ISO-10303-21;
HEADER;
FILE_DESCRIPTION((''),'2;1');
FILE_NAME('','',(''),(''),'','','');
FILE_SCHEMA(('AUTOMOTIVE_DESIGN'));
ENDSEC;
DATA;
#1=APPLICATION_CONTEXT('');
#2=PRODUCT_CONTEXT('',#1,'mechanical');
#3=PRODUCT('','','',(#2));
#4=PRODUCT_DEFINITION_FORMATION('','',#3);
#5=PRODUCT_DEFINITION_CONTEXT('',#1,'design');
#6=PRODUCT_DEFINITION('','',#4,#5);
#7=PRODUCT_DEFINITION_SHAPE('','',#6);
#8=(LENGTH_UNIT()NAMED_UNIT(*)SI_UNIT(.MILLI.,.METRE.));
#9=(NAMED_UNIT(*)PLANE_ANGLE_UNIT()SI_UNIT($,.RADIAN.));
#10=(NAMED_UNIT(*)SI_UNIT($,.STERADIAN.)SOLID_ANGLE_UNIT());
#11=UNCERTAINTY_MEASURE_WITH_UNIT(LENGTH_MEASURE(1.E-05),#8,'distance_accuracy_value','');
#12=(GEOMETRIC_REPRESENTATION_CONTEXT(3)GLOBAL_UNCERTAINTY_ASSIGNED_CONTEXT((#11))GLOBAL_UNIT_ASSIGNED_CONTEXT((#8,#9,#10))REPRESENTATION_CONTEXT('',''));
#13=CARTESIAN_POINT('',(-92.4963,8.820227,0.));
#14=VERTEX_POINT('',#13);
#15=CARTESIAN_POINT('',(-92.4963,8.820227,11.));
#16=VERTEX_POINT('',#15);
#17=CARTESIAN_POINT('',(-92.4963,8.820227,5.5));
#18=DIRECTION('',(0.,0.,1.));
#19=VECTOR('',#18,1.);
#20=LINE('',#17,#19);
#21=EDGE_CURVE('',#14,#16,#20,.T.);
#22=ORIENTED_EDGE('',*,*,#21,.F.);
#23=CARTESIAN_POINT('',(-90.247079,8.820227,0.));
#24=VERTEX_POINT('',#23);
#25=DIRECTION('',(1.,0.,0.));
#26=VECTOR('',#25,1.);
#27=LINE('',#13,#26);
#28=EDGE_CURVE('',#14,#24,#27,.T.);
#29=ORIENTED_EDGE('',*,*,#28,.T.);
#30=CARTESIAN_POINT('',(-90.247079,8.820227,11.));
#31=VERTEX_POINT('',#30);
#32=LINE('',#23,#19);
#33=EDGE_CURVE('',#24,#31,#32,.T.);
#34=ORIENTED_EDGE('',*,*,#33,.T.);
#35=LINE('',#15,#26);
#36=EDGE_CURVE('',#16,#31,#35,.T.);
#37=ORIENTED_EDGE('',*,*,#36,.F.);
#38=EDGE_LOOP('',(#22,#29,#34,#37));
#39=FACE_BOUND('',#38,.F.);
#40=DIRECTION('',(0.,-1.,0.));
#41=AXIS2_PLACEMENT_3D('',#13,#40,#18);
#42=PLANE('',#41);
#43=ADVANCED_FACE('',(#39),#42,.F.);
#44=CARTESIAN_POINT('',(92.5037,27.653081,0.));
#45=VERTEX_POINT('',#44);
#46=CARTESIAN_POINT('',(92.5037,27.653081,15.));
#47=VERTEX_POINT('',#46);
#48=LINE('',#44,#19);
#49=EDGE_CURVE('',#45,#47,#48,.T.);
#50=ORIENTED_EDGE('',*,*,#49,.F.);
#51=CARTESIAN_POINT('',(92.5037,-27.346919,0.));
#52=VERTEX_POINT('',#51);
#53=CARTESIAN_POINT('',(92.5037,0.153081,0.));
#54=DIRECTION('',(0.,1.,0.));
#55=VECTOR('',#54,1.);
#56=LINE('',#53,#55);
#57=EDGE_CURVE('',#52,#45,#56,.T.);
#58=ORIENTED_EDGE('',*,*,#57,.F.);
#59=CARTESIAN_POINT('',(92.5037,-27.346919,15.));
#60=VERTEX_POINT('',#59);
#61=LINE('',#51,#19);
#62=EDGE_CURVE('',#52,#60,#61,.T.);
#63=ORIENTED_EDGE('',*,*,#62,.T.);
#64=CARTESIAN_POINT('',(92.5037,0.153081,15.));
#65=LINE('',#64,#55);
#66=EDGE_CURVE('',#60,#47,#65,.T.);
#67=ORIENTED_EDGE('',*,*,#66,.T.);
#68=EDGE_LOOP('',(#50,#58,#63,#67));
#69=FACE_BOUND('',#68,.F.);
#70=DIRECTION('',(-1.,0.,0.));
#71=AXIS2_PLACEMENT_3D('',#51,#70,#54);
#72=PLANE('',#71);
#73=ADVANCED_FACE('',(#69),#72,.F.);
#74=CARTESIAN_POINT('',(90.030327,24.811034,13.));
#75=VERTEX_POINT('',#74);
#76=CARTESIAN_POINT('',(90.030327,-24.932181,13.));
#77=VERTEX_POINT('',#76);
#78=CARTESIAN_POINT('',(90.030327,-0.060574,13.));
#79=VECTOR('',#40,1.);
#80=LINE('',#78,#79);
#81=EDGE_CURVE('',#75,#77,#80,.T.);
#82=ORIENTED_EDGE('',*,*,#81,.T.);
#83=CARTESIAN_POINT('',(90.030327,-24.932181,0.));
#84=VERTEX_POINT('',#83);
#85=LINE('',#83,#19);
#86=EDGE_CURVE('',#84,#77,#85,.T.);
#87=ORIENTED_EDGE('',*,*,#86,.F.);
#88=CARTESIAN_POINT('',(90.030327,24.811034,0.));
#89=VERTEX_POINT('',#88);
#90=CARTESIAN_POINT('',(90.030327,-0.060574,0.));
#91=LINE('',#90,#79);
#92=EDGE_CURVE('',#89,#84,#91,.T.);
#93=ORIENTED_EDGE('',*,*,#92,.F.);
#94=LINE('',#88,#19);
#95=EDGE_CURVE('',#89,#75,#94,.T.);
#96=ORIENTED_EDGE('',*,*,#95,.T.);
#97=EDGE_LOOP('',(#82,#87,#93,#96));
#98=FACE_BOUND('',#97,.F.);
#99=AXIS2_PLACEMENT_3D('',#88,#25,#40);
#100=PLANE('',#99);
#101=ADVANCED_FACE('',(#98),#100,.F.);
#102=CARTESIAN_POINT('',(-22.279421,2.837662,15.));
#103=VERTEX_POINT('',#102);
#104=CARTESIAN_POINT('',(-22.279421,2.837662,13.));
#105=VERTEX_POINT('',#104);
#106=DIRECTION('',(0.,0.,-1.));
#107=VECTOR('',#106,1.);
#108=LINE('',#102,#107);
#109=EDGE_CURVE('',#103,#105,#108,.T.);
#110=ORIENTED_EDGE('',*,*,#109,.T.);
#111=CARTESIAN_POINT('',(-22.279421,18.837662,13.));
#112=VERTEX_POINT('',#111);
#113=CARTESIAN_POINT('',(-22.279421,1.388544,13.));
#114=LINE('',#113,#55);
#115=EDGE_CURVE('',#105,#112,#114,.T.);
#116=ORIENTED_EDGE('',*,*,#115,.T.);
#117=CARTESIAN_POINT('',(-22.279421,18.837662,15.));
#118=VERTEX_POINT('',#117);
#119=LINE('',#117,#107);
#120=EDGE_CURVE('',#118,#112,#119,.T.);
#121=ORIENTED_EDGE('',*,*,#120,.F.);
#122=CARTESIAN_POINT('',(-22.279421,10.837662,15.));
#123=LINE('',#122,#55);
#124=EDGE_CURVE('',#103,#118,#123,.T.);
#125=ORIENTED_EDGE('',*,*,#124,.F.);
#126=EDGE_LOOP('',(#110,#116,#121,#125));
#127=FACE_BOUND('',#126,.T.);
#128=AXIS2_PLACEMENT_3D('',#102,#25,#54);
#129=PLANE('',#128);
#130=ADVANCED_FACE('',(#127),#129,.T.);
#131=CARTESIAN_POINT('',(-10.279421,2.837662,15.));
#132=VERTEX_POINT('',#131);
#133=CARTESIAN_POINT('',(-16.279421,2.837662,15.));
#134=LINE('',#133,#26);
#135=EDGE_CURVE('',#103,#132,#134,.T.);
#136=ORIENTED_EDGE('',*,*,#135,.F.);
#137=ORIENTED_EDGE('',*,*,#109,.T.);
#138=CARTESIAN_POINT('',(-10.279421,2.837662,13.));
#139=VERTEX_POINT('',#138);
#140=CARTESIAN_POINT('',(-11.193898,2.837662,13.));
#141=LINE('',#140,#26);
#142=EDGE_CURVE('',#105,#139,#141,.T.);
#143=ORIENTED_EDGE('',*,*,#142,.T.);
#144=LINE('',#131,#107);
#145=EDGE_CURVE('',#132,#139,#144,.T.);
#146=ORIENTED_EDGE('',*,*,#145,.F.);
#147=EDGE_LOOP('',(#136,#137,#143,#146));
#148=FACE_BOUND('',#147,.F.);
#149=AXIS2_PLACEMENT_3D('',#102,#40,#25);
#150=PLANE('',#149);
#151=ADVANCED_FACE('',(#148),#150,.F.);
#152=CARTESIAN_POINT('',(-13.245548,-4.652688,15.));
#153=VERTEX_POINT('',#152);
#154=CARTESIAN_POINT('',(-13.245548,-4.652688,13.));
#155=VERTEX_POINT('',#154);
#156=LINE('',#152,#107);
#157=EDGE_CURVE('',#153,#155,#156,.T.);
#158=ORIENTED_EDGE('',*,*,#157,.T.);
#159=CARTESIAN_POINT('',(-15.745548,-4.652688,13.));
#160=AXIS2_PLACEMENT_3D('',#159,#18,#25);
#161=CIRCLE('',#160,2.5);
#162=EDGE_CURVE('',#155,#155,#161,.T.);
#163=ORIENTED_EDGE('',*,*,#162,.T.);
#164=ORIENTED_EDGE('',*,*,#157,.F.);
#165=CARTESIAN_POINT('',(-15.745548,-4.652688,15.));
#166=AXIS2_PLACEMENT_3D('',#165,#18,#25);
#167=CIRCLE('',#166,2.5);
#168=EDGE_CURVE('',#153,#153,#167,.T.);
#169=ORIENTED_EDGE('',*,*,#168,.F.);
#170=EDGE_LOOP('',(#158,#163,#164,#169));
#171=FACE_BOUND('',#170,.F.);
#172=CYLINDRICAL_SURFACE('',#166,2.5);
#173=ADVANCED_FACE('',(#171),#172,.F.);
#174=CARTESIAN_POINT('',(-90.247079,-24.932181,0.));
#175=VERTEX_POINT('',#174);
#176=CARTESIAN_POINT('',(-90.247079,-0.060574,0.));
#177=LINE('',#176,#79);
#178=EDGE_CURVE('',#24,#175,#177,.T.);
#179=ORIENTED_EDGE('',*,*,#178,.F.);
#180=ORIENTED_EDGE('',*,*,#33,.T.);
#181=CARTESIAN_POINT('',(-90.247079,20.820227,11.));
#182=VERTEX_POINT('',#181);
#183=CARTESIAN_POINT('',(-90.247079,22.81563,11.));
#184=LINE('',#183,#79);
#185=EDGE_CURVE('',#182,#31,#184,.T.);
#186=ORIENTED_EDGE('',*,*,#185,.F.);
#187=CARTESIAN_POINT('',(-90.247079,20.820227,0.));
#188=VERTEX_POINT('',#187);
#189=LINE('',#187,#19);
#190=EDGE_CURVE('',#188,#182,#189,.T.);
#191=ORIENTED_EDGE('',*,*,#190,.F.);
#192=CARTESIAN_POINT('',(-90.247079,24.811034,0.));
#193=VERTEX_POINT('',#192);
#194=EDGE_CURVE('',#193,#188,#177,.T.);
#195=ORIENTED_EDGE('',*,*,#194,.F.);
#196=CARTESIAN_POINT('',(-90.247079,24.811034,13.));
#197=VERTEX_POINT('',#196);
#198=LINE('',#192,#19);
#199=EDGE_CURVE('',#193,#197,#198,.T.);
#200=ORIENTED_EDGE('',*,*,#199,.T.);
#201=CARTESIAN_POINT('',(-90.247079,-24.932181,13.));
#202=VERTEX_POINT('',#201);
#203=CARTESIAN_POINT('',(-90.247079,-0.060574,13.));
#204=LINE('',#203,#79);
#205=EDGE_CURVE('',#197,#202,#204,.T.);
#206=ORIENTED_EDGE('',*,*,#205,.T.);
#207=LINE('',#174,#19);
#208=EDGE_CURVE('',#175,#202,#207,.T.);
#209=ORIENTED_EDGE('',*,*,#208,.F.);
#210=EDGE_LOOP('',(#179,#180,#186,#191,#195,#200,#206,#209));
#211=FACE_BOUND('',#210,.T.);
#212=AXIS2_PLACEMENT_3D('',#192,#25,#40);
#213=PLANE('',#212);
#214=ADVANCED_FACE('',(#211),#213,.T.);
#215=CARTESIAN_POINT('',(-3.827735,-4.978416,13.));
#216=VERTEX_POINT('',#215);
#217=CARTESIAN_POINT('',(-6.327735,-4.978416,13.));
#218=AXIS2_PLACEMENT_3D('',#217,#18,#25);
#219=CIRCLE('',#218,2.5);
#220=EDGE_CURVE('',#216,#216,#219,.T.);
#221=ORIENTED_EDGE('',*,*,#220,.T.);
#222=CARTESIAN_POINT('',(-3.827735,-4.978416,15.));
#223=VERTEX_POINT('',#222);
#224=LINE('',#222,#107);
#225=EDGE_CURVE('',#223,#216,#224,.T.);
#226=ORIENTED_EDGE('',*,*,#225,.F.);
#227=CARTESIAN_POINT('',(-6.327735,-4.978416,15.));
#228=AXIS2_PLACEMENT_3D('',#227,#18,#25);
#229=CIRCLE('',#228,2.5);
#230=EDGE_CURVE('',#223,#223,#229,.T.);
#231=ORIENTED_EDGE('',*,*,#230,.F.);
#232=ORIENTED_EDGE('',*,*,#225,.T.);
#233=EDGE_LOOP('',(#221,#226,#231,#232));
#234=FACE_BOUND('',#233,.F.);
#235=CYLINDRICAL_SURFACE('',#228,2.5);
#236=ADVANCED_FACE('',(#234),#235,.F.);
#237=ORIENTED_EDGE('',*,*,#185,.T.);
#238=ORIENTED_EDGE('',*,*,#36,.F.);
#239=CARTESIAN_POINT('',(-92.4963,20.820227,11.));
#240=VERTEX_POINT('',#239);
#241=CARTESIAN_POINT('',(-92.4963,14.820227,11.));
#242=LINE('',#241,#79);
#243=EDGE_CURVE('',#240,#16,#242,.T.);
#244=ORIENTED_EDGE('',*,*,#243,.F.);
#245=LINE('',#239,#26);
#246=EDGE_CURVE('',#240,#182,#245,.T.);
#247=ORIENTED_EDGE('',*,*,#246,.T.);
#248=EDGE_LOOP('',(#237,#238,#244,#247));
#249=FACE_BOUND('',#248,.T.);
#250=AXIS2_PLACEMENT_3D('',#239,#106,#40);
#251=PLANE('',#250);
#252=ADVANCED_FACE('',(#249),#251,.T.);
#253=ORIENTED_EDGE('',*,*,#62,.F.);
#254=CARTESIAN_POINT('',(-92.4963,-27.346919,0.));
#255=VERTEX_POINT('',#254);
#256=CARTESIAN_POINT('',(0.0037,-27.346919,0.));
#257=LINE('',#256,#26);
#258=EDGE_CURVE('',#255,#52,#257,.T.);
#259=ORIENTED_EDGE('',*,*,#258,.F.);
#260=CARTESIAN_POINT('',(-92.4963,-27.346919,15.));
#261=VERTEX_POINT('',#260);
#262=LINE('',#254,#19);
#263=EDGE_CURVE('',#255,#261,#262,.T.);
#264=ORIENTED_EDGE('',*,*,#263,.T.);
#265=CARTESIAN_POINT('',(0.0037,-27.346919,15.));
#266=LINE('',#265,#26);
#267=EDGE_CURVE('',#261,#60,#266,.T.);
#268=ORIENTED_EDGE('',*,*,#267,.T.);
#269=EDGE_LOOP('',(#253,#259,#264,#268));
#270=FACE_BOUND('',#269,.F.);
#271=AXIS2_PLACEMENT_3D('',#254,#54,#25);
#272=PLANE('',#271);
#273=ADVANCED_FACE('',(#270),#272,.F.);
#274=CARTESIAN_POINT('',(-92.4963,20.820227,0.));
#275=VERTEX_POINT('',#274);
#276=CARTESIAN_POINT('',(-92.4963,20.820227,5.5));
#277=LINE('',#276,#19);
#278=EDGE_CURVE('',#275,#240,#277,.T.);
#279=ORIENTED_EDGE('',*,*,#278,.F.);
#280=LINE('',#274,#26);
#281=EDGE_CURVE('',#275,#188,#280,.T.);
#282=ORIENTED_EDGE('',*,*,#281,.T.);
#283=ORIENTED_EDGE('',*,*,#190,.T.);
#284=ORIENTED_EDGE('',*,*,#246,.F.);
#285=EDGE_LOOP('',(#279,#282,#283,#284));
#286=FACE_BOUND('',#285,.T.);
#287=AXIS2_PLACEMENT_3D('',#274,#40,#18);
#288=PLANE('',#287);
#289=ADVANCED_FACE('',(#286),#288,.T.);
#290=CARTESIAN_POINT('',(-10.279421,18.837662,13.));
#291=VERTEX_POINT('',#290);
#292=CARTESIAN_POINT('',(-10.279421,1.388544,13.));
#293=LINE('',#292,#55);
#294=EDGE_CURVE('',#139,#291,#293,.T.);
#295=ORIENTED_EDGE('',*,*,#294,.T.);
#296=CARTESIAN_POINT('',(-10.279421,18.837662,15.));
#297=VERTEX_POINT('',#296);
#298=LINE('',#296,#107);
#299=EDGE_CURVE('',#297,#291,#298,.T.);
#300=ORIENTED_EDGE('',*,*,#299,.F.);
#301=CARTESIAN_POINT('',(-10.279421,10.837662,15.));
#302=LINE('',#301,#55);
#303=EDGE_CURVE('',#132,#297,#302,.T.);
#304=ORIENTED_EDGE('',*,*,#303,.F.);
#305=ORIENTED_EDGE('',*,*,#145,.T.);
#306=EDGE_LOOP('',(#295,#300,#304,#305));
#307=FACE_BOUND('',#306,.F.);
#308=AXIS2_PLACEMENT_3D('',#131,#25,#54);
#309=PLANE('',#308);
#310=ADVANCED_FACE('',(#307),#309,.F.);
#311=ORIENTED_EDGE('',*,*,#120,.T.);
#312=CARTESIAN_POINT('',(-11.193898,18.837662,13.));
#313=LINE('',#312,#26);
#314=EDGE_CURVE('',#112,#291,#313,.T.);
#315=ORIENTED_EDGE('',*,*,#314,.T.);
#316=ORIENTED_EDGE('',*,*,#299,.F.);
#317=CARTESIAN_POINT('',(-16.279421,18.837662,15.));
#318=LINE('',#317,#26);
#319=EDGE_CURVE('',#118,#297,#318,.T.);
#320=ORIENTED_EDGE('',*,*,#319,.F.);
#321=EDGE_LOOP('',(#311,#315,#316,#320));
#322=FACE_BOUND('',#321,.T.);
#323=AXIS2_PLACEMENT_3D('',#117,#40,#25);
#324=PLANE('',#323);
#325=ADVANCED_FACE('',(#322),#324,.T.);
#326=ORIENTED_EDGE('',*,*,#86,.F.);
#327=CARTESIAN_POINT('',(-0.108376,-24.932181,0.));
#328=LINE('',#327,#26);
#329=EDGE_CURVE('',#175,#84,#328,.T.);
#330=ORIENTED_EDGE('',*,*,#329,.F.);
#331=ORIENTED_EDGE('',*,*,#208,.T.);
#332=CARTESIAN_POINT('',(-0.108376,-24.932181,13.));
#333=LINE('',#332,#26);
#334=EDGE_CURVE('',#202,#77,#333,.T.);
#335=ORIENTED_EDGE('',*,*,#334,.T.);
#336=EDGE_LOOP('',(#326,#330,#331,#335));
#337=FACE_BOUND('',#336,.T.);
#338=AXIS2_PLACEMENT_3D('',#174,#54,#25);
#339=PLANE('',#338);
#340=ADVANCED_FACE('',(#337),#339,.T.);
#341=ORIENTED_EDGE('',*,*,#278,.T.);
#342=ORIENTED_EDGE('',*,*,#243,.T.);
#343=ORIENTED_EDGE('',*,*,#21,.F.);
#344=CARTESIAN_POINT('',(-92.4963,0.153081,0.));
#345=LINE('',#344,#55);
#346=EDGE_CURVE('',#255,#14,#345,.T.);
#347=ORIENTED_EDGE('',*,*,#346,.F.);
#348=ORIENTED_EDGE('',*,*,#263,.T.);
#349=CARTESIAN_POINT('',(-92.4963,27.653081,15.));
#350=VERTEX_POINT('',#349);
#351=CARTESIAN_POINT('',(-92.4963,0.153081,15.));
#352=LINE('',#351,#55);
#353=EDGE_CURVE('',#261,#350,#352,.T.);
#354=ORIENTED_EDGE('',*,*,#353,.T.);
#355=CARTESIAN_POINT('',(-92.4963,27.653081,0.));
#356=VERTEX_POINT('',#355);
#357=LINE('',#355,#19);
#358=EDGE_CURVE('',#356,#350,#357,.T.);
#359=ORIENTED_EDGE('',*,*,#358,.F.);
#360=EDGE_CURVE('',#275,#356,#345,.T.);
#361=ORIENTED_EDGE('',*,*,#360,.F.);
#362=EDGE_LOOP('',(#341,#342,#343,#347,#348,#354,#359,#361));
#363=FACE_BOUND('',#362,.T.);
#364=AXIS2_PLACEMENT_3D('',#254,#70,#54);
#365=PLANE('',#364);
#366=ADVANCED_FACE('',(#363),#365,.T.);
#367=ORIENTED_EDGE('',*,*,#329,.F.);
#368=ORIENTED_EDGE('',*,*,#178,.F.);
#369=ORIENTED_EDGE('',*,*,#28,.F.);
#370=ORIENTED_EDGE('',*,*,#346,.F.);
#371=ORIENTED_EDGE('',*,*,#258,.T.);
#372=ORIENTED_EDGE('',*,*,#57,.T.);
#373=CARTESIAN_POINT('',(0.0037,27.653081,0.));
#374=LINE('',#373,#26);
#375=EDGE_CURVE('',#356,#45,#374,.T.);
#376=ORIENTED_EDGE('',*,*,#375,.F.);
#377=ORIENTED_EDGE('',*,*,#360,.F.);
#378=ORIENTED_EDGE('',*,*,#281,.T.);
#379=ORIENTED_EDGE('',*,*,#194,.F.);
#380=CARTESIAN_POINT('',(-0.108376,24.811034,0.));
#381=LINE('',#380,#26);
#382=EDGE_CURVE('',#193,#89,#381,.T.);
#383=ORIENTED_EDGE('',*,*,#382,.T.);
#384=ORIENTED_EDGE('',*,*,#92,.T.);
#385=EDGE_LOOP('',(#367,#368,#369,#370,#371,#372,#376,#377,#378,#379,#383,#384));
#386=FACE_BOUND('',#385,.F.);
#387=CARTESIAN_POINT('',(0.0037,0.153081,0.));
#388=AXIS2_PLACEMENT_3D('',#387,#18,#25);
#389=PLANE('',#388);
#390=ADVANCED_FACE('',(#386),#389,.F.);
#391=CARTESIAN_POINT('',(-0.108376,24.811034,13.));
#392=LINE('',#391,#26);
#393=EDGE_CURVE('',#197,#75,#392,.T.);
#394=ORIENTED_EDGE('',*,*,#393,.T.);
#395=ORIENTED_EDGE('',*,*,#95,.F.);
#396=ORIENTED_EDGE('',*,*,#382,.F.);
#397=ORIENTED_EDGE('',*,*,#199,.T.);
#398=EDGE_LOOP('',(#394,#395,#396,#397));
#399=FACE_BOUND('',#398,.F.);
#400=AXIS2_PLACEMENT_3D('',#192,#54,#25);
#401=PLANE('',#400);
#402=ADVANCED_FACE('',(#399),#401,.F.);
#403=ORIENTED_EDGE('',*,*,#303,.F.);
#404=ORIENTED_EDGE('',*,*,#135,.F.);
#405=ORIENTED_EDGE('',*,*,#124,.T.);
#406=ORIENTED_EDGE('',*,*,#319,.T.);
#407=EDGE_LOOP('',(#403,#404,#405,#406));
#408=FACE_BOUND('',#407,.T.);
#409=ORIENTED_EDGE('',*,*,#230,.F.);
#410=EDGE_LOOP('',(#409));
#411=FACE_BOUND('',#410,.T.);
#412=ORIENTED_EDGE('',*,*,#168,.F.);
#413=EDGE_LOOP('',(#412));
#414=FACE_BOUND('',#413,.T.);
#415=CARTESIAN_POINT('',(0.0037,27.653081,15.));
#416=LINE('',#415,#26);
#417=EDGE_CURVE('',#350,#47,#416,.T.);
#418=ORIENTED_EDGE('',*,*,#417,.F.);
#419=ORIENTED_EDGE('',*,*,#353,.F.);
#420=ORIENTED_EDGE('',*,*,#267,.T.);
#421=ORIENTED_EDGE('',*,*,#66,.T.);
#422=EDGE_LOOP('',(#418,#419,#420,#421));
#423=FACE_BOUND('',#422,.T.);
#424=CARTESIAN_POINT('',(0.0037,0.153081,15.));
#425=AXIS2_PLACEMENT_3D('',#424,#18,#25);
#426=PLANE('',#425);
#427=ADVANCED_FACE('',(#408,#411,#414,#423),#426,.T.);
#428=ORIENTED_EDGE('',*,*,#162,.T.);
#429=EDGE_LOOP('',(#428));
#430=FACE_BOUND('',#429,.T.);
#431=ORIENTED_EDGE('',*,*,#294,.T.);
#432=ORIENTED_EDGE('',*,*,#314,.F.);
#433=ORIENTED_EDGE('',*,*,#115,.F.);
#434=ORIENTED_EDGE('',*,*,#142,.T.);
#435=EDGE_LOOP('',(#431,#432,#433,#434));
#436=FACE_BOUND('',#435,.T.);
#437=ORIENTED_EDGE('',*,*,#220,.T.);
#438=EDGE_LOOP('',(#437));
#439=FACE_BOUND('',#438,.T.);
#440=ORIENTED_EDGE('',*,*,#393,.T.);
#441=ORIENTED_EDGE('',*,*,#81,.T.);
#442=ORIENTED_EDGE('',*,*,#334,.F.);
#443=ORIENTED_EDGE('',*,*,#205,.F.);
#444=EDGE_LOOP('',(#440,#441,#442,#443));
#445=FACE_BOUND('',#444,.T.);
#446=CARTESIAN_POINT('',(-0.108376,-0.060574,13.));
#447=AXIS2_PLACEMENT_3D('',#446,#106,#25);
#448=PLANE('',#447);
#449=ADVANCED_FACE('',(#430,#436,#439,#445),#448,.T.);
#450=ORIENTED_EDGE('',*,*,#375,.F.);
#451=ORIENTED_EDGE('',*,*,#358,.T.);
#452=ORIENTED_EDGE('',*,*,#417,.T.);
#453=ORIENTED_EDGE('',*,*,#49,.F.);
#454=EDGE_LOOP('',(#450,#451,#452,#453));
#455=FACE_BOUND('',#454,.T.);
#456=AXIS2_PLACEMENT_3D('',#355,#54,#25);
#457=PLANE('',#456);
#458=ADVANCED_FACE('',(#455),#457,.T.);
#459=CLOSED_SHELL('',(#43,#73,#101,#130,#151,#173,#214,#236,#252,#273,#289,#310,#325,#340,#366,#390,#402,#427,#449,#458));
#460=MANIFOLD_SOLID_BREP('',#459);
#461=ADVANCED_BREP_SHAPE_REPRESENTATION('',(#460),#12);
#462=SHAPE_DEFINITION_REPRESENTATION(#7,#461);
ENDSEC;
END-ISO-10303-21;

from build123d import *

# Parameters (mm, degrees)
SKETCH_W        = 185
SKETCH_H        = 55
PAD_DEPTH       = 15
SKETCH001_R     = 2.5
SKETCH001_W     = 12
SKETCH001_H     = 16
POCKET_DEPTH    = 5
SKETCH002_W     = 12
SKETCH002_H     = 11
POCKET001_DEPTH = 5
SKETCH003_W     = 180.277405
SKETCH003_H     = 49.743215
POCKET002_DEPTH = 13


with BuildPart() as part:
    # Sketch → Pad (new body)
    with BuildSketch(Plane.XY):
        with Locations((0.0037, 0.153081)):
            Rectangle(SKETCH_W, SKETCH_H)
    extrude(amount=PAD_DEPTH)

    # Sketch001 (on Face6 of Pad) → Pocket (cut)
    with BuildSketch(Plane.XY.offset(15)):
        with Locations((-15.745548, -4.652688)):
            Circle(SKETCH001_R)
        with Locations((-6.327735, -4.978416)):
            Circle(SKETCH001_R)
        with Locations((-16.279421, 10.837662)):
            Rectangle(SKETCH001_W, SKETCH001_H)
    extrude(amount=-POCKET_DEPTH, mode=Mode.SUBTRACT)

    # Sketch002 (on Face1 of Pad) → Pocket001 (cut)
    with BuildSketch(Plane(origin=(-92.4963, 0, 0), x_dir=(0, -1, 0), z_dir=(-1, 0, 0))):
        with Locations((-14.820227, 5.5)):
            Rectangle(SKETCH002_W, SKETCH002_H)
    extrude(amount=-POCKET001_DEPTH, mode=Mode.SUBTRACT)

    # Sketch003 (on Face5 of Pad) → Pocket002 (cut)
    with BuildSketch(Plane(origin=(0, 0, 0), x_dir=(1, 0, 0), z_dir=(0, 0, -1))):
        with Locations((-0.108376, 0.060574)):
            Rectangle(SKETCH003_W, SKETCH003_H)
    extrude(amount=-POCKET002_DEPTH, mode=Mode.SUBTRACT)


solid = part.part
